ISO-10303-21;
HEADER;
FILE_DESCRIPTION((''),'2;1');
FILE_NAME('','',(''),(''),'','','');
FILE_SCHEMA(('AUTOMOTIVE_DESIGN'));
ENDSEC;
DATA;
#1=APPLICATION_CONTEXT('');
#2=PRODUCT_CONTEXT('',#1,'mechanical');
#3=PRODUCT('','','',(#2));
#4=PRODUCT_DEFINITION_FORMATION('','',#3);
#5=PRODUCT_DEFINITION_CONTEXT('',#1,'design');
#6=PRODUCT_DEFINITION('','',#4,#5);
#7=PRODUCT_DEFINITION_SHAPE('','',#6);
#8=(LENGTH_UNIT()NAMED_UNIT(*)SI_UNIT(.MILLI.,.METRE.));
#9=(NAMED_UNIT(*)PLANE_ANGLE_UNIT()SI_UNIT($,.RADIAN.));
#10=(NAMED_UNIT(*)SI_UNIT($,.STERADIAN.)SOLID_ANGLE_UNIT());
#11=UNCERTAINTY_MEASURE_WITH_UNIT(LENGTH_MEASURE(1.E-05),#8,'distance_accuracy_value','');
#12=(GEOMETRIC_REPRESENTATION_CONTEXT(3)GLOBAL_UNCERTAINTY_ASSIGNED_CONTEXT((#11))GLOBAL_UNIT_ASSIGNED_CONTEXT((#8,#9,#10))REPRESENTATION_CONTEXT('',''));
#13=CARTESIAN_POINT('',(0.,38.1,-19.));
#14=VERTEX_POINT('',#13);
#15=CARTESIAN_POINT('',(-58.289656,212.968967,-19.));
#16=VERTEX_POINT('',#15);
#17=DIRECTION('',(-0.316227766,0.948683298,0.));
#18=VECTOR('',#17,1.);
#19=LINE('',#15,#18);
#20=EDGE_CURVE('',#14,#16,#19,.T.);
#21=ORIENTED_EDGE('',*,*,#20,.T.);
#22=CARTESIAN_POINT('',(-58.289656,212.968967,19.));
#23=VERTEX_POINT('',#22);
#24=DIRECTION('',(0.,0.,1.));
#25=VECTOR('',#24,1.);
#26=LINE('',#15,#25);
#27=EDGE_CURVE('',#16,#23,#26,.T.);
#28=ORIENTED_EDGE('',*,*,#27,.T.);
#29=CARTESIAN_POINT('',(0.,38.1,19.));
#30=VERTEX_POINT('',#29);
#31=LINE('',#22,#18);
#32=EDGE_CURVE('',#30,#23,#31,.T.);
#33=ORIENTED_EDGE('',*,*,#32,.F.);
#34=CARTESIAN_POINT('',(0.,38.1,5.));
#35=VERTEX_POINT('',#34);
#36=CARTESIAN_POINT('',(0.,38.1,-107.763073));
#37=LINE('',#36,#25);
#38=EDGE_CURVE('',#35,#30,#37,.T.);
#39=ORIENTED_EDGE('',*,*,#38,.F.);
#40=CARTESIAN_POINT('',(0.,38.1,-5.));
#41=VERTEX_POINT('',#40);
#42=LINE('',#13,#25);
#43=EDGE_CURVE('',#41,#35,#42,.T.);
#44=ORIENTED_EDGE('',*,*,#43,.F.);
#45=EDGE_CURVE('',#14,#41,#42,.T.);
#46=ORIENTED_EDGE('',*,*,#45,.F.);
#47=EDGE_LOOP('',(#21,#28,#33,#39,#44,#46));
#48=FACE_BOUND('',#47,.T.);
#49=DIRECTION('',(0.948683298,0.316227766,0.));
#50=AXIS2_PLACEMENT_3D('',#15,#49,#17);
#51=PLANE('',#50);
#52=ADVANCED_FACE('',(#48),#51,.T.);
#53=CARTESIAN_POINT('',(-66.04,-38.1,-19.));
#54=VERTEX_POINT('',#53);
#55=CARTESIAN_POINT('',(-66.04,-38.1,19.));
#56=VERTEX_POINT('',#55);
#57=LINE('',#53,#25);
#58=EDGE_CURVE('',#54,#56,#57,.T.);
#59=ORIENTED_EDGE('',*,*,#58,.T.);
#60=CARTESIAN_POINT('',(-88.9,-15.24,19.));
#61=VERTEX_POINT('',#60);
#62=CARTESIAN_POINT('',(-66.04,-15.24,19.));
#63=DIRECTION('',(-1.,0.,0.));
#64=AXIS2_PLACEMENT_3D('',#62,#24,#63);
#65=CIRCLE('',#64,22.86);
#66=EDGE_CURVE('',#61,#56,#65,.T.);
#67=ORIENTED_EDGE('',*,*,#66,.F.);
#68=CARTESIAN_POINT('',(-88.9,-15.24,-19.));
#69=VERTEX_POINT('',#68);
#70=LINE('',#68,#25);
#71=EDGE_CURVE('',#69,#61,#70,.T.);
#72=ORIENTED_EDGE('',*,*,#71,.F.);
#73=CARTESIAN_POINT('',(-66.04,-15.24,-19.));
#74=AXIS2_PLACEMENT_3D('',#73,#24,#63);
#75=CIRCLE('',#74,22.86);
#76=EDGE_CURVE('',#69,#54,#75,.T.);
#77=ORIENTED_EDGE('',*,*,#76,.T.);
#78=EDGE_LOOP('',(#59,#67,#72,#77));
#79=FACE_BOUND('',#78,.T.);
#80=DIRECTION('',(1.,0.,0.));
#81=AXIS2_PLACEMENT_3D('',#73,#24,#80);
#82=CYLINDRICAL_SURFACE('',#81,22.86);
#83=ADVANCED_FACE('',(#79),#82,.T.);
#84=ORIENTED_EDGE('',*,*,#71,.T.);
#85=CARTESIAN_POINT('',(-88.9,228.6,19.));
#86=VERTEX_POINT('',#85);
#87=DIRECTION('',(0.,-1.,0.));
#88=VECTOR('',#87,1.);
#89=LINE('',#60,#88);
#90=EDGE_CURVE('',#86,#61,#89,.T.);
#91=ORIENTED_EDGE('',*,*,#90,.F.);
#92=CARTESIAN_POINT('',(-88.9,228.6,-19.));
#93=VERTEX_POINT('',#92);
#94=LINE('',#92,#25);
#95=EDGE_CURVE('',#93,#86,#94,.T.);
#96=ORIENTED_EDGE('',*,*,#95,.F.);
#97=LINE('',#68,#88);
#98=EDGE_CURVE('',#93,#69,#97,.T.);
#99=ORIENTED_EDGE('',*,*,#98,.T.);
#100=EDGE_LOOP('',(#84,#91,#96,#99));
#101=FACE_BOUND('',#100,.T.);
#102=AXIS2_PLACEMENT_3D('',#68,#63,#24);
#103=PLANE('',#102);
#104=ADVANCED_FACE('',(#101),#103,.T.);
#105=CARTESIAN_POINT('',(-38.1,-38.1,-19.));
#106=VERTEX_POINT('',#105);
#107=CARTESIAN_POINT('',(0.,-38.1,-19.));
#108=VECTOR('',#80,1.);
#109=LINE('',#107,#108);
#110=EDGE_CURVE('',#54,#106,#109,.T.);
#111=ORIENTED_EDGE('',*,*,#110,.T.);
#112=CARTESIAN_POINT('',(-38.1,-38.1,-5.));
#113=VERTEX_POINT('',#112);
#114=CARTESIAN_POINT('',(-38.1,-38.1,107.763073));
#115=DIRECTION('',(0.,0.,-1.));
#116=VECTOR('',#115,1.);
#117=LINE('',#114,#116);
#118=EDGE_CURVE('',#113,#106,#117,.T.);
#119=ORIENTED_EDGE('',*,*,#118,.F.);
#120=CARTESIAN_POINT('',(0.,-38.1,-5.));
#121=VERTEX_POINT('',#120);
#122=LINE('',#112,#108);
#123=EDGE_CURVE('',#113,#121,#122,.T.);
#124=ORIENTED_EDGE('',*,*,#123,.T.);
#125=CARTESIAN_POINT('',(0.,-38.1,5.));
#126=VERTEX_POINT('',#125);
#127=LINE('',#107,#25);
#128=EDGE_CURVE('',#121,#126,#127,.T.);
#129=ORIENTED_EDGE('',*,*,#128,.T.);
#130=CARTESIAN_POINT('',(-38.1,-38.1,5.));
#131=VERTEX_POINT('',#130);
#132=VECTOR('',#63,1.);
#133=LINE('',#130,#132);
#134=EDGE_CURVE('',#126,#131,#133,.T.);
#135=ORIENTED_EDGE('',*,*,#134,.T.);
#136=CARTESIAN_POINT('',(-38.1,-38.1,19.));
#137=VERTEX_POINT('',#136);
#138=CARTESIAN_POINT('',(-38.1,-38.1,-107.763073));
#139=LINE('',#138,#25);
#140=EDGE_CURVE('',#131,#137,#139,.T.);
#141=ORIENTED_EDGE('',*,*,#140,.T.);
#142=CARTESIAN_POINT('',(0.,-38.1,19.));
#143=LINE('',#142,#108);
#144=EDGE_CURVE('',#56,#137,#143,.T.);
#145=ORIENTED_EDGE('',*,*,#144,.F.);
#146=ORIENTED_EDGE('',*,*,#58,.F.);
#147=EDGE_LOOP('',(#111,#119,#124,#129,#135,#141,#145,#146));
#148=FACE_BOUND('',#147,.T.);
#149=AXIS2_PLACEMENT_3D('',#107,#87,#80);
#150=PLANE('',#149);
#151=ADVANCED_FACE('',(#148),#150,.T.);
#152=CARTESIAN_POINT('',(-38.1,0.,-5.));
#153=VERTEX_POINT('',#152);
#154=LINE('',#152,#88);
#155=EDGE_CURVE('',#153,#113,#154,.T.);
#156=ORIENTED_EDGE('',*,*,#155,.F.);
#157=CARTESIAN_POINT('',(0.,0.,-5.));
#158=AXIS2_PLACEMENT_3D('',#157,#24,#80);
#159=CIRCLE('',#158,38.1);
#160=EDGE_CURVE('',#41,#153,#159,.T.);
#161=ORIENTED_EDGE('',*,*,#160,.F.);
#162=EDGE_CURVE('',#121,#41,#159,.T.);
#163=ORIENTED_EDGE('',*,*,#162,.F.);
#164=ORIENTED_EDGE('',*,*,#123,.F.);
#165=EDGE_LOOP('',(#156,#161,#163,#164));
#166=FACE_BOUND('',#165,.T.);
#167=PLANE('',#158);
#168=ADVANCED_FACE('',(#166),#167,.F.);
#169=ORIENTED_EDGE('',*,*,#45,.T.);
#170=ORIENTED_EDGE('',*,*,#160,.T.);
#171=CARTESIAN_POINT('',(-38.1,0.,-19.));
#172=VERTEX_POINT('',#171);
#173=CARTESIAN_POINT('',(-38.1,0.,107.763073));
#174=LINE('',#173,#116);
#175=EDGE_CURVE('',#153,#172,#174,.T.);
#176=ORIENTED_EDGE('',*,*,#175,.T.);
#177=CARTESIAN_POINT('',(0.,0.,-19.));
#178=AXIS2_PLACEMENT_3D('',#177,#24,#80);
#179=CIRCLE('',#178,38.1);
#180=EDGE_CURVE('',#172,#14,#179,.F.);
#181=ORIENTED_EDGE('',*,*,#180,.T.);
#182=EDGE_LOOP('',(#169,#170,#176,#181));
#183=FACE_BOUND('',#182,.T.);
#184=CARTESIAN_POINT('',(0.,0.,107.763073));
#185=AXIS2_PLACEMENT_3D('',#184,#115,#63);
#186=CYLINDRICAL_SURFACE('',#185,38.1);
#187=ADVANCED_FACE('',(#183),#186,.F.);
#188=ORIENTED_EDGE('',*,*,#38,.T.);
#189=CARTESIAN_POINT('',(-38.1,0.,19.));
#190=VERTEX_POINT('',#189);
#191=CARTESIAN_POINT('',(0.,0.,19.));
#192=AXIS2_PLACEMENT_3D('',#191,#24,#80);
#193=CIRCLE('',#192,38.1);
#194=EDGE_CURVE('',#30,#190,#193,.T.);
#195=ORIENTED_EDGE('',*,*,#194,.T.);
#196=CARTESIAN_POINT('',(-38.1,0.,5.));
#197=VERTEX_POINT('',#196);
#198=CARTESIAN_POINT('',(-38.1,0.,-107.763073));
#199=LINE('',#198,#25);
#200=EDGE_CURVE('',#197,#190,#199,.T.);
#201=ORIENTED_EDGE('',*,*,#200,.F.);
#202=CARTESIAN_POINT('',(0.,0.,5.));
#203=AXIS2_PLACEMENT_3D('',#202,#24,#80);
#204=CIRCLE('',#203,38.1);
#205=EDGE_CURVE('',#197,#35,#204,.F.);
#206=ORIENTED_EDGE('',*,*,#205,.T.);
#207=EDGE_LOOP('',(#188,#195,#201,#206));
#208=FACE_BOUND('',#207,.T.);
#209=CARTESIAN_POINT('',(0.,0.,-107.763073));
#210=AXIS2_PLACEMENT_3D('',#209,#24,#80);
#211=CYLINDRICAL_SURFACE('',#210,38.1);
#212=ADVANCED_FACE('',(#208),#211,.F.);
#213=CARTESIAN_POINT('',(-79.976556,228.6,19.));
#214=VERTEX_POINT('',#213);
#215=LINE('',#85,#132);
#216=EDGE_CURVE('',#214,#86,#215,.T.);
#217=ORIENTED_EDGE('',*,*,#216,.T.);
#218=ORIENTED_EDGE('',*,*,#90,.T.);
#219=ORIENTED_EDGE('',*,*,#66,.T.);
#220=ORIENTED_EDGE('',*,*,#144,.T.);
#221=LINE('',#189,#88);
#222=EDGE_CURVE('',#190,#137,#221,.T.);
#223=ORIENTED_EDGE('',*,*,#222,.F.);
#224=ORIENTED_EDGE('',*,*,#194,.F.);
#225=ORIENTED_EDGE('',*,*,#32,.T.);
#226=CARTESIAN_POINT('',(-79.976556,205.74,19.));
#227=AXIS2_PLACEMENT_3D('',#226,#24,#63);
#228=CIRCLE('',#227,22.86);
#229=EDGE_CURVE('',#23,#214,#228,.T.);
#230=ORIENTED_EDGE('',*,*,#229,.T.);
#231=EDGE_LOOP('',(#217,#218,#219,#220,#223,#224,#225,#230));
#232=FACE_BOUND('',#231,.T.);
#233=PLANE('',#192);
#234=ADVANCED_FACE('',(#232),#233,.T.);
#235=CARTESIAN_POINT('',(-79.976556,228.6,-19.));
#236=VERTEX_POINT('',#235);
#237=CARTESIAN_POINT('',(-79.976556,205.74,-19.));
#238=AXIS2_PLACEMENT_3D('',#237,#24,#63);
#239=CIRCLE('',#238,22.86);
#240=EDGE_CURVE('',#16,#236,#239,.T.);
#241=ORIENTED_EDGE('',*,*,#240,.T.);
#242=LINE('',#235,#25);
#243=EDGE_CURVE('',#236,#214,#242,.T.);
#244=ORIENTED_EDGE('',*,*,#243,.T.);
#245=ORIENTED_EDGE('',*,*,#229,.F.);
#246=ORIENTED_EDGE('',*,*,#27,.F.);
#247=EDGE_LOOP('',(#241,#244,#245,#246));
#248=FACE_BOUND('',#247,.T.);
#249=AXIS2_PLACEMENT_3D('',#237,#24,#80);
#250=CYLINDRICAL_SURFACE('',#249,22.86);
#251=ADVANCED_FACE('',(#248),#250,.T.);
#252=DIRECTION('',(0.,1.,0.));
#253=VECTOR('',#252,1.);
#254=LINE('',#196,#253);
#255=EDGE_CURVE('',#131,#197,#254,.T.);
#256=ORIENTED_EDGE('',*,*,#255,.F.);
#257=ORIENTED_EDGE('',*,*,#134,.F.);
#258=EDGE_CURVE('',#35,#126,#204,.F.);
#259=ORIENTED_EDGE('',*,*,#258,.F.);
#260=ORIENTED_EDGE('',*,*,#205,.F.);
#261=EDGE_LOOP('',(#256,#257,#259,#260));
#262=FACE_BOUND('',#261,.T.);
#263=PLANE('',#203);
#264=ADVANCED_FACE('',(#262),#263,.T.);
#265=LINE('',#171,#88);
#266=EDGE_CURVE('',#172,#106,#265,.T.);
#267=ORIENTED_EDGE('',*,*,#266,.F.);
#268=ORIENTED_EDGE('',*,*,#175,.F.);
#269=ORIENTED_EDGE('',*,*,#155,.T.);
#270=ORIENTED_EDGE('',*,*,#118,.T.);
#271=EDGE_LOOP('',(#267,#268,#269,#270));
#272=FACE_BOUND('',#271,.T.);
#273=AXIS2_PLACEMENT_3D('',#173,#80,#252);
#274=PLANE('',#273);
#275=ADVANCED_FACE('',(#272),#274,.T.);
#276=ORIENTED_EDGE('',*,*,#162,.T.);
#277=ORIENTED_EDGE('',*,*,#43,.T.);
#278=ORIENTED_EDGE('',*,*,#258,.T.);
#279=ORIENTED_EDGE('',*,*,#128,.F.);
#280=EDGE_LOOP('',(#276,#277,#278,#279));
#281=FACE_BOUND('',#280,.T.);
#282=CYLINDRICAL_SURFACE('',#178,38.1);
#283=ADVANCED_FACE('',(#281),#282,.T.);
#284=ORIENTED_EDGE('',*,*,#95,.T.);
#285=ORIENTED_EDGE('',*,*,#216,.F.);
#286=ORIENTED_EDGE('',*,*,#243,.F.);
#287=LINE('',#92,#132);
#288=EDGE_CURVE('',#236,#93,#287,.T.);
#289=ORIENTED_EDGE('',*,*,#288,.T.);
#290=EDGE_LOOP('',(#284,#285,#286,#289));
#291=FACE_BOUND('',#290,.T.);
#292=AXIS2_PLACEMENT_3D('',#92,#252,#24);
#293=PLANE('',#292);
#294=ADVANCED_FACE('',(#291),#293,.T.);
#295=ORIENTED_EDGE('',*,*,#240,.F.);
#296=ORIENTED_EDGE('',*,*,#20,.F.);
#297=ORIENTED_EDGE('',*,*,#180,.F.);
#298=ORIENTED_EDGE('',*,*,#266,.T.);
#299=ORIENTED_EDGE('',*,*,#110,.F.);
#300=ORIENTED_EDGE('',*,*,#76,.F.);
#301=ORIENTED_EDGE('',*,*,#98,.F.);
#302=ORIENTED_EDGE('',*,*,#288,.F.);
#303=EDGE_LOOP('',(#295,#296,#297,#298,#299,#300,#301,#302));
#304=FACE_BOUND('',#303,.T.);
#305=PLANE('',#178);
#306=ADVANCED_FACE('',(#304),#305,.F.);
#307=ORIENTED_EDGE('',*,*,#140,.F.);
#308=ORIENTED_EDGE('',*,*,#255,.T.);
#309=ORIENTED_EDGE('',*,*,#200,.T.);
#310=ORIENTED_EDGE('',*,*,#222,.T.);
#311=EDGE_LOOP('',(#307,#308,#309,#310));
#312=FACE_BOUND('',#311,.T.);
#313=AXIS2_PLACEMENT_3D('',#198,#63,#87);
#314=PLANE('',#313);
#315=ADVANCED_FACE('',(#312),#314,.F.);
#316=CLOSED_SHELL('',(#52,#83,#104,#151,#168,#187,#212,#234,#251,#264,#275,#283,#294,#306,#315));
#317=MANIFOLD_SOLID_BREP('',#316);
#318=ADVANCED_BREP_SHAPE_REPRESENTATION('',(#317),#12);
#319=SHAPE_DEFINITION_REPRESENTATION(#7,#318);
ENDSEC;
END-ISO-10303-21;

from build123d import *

# Parameters (mm, degrees)
BOSS_EXTRUDE2_DEPTH      = 19
BOSS_EXTRUDE2_DEPTH_BACK = 19
CUT_EXTRUDE2_START       = -14
CUT_EXTRUDE2_DEPTH       = 14


with BuildPart() as part:
    # Sketch3 → Boss-Extrude2 (new, two sides: drawn at the far end of the back side and taken through both)
    with BuildSketch(Plane.XY.offset(-BOSS_EXTRUDE2_DEPTH_BACK)):
        with BuildLine():
            Line((0, -38.1), (-66.04, -38.1))
            ThreePointArc((-66.04, -38.1), (-82.204461018, -31.404461018), (-88.9, -15.24))
            Line((-88.9, -15.24), (-88.9, 228.6))
            Line((-88.9, 228.6), (-79.97655577, 228.6))
            ThreePointArc((-79.97655577, 228.6), (-66.610078663, 224.284996353), (-58.289655577, 212.968966731))
            Line((-58.289655577, 212.968966731), (0, 38.1))
            ThreePointArc((0, 38.1), (38.1, 0), (0, -38.1))
        make_face()
    extrude(amount=BOSS_EXTRUDE2_DEPTH + BOSS_EXTRUDE2_DEPTH_BACK)

    # Sketch5 → Cut-Extrude2 (cut)
    with BuildSketch(Plane.XY.offset(19).offset(CUT_EXTRUDE2_START)):
        with BuildLine():
            Line((-38.1, 0), (-38.1, -38.1))
            Line((-38.1, -38.1), (0, -38.1))
            ThreePointArc((0, -38.1), (26.940768363, 26.940768363), (-38.1, 0))
        make_face()
    cut_extrude2 = extrude(amount=CUT_EXTRUDE2_DEPTH, mode=Mode.SUBTRACT)

    # Mirror2: Cut-Extrude2 across plane
    add(cut_extrude2.mirror(Plane.XY), mode=Mode.SUBTRACT)


solid = part.part
